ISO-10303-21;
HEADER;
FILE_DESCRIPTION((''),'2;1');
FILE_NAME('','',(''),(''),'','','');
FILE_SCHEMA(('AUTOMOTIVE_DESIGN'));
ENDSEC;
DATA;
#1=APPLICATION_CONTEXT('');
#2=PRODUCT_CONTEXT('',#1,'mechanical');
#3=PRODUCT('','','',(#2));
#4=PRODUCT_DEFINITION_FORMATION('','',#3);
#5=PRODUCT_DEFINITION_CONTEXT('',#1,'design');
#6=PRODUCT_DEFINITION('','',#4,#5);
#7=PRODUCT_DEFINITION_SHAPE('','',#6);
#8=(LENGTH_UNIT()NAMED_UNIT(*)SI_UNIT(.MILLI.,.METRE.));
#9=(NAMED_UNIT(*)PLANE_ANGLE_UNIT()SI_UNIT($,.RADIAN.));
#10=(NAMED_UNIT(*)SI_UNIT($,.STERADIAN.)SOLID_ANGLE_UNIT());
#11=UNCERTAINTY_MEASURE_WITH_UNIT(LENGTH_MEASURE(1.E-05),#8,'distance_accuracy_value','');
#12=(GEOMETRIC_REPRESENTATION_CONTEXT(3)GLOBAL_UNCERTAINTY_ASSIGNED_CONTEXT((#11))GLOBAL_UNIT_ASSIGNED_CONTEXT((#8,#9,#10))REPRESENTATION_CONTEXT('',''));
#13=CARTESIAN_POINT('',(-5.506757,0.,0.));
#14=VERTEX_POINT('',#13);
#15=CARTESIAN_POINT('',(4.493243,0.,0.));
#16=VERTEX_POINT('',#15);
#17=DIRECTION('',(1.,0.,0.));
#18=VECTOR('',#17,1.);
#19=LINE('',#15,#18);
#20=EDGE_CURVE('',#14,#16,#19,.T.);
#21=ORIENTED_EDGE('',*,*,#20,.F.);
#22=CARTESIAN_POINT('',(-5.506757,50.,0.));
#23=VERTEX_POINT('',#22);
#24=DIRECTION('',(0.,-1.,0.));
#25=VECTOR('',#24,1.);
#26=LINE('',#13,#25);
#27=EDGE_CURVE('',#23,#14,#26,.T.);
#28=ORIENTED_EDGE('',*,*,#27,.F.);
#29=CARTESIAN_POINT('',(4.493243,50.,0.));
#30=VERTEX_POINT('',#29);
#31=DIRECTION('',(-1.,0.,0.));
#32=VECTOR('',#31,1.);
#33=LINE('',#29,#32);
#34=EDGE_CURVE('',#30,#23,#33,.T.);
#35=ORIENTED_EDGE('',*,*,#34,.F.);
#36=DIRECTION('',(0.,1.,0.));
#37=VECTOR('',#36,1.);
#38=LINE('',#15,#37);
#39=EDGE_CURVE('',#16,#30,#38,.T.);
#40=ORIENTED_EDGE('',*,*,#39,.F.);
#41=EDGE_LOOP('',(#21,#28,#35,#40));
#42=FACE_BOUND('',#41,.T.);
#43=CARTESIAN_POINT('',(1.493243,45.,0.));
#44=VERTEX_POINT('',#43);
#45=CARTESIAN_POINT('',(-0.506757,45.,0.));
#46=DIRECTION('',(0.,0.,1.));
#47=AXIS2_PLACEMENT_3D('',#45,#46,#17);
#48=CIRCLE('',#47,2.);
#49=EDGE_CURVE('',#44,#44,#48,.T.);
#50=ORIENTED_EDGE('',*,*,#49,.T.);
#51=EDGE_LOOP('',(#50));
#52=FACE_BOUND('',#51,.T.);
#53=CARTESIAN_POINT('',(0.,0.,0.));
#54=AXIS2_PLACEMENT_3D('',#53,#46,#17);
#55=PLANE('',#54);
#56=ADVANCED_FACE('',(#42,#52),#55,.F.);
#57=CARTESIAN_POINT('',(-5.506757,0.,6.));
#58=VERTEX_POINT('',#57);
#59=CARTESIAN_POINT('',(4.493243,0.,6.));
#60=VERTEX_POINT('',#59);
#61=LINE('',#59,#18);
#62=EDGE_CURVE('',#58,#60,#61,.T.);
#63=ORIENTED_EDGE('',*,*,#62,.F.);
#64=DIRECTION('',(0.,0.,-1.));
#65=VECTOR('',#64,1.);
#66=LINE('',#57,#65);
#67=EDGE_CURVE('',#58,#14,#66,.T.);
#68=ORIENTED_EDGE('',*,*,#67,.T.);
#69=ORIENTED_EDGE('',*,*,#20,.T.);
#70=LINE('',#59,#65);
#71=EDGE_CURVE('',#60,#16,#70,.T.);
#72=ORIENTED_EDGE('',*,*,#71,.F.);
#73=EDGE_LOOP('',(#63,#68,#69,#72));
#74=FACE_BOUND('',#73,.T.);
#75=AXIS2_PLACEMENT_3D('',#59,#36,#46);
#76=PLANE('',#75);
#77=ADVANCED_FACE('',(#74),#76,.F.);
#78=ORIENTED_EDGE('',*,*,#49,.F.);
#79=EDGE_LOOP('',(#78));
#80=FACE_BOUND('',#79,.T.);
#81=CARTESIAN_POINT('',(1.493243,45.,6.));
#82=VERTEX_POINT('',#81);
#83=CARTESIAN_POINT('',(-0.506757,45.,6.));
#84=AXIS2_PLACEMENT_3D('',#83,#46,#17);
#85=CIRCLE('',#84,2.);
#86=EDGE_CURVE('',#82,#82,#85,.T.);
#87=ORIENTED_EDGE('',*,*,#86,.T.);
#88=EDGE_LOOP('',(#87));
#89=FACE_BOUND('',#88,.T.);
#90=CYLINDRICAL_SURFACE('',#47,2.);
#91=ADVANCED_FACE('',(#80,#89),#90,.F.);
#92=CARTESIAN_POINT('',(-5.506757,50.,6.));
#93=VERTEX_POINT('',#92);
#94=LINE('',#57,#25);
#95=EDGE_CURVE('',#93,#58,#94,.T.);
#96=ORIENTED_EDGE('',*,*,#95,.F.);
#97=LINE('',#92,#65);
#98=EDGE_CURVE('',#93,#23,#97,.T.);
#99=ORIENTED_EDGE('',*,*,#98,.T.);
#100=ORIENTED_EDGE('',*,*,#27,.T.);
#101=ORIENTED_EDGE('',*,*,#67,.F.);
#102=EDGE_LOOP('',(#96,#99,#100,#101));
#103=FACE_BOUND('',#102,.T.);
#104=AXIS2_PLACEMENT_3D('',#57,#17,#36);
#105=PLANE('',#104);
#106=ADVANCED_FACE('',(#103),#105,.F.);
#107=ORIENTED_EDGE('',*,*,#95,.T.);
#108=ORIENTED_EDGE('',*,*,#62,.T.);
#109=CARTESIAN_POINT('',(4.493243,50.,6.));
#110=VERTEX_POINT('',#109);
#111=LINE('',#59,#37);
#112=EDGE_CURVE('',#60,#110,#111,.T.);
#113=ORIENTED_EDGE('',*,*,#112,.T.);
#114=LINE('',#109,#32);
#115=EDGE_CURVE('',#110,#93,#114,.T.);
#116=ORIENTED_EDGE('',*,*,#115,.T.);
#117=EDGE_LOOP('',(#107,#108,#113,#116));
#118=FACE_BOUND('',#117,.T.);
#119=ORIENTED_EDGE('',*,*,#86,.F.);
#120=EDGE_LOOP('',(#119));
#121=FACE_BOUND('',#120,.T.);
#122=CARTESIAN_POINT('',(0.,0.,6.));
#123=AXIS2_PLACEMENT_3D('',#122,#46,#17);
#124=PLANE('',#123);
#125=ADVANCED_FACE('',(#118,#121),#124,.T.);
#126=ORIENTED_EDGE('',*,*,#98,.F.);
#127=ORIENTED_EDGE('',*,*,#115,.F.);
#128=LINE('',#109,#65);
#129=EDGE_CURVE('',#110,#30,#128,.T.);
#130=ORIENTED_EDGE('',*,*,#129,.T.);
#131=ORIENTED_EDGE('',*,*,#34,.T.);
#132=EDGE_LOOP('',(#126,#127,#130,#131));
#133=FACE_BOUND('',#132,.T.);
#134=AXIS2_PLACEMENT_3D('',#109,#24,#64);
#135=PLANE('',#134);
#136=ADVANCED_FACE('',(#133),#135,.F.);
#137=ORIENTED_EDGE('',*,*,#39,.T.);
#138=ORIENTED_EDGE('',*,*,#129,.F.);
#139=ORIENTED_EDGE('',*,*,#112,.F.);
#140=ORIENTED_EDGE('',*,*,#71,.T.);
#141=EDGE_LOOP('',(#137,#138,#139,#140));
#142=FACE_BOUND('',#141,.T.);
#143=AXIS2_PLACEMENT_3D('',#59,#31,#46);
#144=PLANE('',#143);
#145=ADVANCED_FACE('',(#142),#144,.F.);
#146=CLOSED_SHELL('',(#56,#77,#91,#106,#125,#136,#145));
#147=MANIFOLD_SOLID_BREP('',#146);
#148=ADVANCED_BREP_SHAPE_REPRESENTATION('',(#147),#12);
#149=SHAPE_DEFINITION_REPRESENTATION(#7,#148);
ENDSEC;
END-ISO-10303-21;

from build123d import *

# Parameters (mm, degrees)
ESBO_O1_W                = 10
ESBO_O1_H                = 50
RESSALTO_EXTRUS_O1_DEPTH = 6
ESBO_O2_R                = 2
CORTE_EXTRUS_O1_DEPTH    = 51.658902179


with BuildPart() as part:
    # Esboço1 → Ressalto-extrusão1 (new body)
    with BuildSketch(Plane.XY):
        with Locations((-0.506756757, 25)):
            Rectangle(ESBO_O1_W, ESBO_O1_H)
    extrude(amount=RESSALTO_EXTRUS_O1_DEPTH)

    # Esboço2 → Corte-extrusão1 (cut, through all)
    with BuildSketch(Plane.XY.offset(6)):
        with Locations((-0.506756757, 45)):
            Circle(ESBO_O2_R)
    extrude(amount=-CORTE_EXTRUS_O1_DEPTH, mode=Mode.SUBTRACT)


solid = part.part
